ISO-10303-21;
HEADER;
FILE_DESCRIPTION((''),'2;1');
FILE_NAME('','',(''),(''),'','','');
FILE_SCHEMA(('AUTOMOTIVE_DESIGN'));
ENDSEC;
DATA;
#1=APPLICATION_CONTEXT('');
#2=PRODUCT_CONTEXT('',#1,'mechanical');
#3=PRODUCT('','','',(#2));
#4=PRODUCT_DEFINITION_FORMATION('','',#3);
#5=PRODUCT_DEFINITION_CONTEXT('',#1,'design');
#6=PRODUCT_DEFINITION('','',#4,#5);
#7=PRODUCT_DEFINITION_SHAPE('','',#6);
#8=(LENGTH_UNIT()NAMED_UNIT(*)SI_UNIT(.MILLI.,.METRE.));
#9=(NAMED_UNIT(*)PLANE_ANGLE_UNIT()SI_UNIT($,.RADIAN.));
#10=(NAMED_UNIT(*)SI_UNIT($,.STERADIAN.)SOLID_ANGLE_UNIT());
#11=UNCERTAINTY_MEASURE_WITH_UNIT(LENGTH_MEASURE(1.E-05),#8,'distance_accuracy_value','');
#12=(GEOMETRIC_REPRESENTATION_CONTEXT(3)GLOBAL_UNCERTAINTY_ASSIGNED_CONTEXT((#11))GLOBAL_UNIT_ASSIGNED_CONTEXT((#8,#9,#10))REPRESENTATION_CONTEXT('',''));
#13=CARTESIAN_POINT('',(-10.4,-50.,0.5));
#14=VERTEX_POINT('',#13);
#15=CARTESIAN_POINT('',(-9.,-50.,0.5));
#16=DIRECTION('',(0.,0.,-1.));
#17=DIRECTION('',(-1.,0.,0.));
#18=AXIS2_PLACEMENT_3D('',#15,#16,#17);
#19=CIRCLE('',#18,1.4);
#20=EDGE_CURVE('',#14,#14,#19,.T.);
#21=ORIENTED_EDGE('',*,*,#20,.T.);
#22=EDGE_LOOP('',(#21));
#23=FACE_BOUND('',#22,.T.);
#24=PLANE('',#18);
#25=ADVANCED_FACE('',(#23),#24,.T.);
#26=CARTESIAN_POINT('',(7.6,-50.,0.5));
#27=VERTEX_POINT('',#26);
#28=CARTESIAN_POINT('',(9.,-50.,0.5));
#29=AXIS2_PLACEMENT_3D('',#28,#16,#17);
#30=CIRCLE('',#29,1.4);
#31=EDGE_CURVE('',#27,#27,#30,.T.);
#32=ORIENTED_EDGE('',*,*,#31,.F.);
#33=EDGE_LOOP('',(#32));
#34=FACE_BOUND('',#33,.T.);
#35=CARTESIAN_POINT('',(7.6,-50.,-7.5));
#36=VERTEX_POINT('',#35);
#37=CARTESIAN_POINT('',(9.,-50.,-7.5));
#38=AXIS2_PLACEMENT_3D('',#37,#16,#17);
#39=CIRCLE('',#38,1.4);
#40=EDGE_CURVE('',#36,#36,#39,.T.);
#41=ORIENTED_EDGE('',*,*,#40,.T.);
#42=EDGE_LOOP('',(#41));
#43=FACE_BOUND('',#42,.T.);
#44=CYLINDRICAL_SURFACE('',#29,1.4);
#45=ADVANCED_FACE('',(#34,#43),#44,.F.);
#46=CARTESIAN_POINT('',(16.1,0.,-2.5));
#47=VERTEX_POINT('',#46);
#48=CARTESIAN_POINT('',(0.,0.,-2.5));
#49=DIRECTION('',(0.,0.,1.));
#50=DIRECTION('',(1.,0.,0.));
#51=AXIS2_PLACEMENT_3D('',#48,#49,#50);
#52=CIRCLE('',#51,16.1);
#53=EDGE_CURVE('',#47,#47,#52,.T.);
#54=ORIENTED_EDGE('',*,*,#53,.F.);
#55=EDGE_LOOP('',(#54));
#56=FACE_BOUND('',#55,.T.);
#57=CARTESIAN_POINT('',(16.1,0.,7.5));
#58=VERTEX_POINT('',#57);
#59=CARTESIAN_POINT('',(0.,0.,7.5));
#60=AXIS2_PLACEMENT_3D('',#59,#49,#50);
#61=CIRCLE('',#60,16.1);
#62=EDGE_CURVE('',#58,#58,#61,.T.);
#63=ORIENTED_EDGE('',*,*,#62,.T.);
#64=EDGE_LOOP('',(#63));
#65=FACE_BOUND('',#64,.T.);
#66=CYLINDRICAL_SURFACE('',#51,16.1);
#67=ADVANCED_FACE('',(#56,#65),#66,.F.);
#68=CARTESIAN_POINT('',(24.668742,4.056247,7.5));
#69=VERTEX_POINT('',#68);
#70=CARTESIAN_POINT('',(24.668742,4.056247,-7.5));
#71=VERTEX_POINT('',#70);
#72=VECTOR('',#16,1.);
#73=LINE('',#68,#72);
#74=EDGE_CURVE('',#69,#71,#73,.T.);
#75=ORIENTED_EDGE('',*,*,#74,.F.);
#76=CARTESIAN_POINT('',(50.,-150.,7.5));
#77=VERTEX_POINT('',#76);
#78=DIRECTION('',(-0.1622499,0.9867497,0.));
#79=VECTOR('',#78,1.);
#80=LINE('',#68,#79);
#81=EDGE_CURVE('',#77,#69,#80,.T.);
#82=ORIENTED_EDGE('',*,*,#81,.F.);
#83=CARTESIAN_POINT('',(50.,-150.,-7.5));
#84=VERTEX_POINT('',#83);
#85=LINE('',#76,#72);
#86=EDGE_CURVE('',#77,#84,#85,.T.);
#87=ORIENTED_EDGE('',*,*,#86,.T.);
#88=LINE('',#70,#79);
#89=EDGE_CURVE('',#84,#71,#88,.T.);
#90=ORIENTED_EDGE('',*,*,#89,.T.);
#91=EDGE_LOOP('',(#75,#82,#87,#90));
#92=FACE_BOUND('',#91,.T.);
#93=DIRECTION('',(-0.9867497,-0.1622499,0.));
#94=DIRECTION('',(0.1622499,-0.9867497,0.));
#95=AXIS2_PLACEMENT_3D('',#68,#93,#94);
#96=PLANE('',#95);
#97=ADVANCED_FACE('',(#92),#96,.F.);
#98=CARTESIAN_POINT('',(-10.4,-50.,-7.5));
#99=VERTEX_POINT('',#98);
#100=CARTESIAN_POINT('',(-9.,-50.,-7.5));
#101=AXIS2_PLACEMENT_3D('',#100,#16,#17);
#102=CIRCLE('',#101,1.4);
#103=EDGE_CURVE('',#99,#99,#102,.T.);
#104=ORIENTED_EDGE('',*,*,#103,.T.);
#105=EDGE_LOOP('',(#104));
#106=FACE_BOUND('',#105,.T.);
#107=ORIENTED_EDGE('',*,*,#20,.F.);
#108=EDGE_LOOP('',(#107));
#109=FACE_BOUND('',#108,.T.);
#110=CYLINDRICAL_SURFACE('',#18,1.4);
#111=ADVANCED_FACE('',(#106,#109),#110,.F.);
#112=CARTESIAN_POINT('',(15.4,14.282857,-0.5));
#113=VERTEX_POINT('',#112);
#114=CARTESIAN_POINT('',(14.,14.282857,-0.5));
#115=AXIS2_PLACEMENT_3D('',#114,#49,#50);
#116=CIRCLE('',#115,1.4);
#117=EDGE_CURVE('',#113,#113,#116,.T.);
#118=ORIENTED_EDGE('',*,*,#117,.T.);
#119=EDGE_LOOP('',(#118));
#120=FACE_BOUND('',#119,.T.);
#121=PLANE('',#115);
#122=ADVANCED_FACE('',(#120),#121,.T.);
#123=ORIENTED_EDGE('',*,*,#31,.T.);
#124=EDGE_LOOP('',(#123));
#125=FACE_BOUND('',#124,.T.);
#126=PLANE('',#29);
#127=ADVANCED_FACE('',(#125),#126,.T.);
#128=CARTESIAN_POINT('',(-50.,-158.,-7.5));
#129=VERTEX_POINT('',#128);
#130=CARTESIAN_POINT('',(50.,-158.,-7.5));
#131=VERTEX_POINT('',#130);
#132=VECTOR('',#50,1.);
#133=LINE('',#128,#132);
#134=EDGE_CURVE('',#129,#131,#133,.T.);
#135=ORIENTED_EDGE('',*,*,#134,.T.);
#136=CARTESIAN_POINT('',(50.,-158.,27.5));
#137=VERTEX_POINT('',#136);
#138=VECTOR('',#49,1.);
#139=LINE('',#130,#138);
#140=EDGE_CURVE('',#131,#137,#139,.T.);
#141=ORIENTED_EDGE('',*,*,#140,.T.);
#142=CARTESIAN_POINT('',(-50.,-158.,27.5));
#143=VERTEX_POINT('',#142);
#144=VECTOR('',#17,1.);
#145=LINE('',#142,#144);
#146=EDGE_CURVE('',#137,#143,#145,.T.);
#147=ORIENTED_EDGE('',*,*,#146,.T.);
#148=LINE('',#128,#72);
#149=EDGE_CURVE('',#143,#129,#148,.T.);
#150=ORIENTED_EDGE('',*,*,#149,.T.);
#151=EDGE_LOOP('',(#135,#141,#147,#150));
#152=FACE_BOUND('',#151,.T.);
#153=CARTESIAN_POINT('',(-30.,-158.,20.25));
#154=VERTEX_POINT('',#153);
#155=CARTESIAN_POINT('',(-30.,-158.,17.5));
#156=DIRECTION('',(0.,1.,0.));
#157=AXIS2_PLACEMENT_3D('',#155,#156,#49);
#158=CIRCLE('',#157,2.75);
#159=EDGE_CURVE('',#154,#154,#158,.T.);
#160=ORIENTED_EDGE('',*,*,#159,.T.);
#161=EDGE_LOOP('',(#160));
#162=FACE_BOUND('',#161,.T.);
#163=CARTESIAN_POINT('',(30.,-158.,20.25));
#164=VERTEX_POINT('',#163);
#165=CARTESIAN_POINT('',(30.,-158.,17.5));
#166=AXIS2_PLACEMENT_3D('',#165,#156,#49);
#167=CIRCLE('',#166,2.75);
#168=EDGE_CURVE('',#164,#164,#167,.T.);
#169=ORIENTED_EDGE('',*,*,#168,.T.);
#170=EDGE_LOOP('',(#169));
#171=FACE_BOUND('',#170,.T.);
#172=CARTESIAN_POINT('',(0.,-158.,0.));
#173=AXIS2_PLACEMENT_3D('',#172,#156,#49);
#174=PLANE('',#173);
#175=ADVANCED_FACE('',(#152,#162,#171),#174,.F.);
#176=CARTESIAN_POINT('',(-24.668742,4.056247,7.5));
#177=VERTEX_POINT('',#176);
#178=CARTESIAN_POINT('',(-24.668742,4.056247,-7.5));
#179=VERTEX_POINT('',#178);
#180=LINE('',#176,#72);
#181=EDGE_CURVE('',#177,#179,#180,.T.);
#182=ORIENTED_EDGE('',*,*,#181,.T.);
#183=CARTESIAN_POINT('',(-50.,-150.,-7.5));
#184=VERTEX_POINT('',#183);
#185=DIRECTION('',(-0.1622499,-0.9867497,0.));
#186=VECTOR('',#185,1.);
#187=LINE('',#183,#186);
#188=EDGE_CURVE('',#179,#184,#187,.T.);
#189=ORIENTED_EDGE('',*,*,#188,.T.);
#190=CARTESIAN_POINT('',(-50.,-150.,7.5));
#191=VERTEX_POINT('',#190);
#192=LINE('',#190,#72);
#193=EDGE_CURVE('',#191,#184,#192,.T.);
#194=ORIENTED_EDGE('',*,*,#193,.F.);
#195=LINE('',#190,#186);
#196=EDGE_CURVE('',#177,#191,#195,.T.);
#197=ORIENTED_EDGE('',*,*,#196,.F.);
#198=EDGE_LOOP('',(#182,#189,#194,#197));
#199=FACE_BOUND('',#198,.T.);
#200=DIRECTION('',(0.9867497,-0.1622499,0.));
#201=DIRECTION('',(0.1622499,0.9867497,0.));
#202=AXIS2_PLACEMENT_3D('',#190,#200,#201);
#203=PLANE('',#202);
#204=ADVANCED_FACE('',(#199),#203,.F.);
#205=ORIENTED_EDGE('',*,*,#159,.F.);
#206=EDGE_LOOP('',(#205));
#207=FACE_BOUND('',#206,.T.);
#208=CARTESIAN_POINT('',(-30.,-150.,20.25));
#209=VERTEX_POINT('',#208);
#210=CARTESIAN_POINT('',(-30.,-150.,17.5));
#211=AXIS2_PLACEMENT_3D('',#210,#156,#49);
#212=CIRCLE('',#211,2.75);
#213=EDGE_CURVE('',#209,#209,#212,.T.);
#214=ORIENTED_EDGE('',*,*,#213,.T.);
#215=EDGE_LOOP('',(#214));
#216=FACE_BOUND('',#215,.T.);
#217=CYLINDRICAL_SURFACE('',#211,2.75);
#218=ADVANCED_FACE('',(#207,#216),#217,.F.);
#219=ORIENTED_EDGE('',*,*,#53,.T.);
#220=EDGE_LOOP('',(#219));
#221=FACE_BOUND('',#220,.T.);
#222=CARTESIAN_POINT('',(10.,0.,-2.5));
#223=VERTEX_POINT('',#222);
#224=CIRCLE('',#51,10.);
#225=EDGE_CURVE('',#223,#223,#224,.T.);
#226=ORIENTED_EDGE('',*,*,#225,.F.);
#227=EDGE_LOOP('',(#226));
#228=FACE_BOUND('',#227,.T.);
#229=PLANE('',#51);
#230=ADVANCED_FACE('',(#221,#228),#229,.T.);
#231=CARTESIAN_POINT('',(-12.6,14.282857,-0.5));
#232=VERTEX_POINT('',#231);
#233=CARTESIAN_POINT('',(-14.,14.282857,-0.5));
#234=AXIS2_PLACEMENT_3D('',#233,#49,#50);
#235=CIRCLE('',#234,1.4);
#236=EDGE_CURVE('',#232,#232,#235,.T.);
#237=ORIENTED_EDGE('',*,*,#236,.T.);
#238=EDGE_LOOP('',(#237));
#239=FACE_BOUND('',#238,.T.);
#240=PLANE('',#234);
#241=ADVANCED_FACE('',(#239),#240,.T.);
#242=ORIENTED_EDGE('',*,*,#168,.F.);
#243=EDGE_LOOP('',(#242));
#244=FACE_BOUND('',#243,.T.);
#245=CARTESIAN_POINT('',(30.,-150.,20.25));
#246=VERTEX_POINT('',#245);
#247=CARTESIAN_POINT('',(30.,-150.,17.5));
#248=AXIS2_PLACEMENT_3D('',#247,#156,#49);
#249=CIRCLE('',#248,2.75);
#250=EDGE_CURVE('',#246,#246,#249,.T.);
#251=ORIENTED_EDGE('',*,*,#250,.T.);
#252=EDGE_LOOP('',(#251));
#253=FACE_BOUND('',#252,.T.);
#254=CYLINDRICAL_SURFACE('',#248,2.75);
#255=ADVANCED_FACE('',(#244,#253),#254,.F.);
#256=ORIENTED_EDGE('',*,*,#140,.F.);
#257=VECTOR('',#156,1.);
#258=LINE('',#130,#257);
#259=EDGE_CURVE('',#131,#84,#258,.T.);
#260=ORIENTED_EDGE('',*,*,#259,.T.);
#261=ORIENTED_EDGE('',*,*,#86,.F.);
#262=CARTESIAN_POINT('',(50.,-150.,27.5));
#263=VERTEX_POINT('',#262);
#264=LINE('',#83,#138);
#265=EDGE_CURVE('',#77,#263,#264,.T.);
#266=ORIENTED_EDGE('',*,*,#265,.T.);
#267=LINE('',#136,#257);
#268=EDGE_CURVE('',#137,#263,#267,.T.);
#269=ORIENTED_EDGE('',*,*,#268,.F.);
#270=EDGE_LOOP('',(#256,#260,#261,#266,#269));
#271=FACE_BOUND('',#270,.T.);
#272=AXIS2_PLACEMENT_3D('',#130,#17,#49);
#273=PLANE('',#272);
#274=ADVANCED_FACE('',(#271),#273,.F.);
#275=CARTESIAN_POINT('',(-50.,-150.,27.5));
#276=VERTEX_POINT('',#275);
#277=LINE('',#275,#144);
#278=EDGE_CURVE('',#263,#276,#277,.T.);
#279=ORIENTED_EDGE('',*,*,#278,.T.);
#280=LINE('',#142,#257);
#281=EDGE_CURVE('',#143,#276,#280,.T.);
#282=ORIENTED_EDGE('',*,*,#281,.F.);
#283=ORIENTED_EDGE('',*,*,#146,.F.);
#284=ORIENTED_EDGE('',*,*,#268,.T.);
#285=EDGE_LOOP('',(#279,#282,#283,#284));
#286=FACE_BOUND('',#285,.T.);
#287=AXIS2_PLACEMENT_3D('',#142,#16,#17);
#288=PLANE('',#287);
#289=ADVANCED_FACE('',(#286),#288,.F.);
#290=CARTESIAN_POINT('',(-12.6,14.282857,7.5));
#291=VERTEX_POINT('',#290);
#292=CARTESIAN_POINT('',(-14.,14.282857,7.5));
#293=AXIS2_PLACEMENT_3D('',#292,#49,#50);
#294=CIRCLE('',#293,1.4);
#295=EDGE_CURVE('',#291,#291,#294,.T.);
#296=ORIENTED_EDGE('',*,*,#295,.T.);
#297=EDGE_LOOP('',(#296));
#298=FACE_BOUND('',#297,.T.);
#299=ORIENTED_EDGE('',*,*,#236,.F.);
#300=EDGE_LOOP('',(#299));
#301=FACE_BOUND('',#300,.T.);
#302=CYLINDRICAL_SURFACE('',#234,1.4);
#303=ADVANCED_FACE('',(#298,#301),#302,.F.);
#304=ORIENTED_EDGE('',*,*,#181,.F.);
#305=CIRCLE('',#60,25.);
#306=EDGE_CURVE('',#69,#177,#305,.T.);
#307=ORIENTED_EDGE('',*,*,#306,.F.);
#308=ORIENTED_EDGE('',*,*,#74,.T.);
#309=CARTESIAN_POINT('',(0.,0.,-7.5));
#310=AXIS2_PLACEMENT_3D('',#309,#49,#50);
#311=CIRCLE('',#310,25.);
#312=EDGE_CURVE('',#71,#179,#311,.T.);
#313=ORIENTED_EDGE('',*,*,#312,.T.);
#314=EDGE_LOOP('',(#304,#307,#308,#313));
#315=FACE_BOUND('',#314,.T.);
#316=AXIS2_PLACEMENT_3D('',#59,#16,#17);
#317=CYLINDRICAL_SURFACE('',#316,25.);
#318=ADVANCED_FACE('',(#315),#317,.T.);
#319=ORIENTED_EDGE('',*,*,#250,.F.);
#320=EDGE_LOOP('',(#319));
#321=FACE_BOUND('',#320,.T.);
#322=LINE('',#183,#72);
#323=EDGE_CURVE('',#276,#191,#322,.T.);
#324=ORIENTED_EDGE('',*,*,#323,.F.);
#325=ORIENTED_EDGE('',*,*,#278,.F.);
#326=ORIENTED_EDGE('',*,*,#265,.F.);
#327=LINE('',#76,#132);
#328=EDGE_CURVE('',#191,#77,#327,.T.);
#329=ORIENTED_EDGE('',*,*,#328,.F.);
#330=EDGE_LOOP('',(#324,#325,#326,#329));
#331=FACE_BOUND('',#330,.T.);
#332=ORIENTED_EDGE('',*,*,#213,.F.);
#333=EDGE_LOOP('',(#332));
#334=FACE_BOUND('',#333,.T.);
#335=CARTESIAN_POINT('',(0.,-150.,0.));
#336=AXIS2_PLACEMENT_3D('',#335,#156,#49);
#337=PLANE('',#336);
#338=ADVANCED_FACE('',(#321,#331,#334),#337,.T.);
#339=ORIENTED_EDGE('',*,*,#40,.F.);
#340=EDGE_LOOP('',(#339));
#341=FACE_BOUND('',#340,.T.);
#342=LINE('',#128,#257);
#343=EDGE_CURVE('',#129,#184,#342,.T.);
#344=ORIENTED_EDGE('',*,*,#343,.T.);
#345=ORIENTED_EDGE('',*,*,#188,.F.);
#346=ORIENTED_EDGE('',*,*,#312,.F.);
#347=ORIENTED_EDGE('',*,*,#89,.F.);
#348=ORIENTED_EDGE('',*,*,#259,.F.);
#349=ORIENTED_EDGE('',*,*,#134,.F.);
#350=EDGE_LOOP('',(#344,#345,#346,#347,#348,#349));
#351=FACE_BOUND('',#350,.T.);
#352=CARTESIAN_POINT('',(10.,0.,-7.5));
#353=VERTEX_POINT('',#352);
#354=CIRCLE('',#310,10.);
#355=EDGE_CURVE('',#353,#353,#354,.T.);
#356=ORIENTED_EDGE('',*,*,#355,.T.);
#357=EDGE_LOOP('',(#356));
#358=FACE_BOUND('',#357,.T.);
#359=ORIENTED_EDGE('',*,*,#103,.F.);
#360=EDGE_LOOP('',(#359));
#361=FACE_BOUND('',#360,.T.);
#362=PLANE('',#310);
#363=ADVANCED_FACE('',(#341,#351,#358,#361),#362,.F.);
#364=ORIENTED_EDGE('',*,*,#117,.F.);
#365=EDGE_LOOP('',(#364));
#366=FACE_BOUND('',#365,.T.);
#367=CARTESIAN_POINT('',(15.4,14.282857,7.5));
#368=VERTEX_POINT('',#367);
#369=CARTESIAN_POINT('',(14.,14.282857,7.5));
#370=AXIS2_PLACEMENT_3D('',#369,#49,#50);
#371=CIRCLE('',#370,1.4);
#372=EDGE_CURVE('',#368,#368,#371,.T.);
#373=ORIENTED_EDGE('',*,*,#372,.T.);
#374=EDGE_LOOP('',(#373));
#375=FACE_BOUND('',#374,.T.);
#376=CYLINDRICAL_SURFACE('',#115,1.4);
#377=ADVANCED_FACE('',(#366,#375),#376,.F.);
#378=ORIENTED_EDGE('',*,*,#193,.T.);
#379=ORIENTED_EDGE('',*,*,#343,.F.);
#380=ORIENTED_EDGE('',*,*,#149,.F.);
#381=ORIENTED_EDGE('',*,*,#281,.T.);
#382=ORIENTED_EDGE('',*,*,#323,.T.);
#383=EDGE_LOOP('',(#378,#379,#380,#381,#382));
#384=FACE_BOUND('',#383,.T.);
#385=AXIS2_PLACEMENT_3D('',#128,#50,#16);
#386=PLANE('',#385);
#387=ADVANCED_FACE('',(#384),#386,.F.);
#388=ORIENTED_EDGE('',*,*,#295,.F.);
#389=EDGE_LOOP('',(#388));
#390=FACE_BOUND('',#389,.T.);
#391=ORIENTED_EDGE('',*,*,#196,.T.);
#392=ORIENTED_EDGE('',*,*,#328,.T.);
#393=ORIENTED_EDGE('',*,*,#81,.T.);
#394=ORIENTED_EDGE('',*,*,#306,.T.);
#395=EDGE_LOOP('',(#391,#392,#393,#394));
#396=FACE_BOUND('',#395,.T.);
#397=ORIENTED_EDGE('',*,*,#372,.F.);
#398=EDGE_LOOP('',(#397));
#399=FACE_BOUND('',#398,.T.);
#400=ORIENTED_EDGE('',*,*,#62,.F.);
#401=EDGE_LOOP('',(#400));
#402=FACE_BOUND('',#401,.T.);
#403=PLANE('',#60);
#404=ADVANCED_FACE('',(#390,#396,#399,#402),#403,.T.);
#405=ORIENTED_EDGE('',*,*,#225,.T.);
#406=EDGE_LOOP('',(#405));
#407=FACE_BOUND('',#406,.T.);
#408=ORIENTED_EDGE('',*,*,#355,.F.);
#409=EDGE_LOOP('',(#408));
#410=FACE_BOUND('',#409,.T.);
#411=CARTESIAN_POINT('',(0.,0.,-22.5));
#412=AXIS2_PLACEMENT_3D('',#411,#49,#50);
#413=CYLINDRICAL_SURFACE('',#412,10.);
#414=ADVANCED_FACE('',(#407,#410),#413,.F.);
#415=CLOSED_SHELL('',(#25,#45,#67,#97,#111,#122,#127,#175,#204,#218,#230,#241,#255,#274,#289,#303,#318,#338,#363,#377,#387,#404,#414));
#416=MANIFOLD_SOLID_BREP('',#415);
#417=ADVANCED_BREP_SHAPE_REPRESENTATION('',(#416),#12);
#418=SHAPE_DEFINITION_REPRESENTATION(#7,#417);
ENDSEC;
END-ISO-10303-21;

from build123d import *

# Parameters (mm, degrees)
BOSS_EXTRUDE1_DEPTH = 7.5
SKETCH7_W           = 100
SKETCH7_H           = 35
BOSS_EXTRUDE2_DEPTH = 8
SKETCH5_R           = 16.1
CUT_EXTRUDE1_DEPTH  = 10
SKETCH6_R           = 10
CUT_EXTRUDE2_DEPTH  = 20
SKETCH11_R          = 1.4
CUT_EXTRUDE3_DEPTH  = 8
SKETCH12_R          = 1.4
CUT_EXTRUDE4_DEPTH  = 8


with BuildPart() as part:
    # Sketch1 → Boss-Extrude1 (new, symmetric)
    with BuildSketch(Plane.XY):
        with BuildLine():
            Line((24.668742494, 4.056247498), (50, -150))
            Line((50, -150), (-50, -150))
            Line((-50, -150), (-24.668742494, 4.056247498))
            ThreePointArc((-24.668742494, 4.056247498), (0, 25), (24.668742494, 4.056247498))
        make_face()
    extrude(amount=BOSS_EXTRUDE1_DEPTH, both=True)

    # Sketch7 → Boss-Extrude2 (add)
    with BuildSketch(Plane.XZ.offset(150)):
        with Locations((0, 10)):
            Rectangle(SKETCH7_W, SKETCH7_H)
    extrude(amount=BOSS_EXTRUDE2_DEPTH)

    # Sketch5 → Cut-Extrude1 (cut)
    with BuildSketch(Plane.XY.offset(7.5)):
        Circle(SKETCH5_R)
    extrude(amount=-CUT_EXTRUDE1_DEPTH, mode=Mode.SUBTRACT)

    # Sketch6 → Cut-Extrude2 (cut)
    with BuildSketch(Plane.XY.offset(-2.5)):
        Circle(SKETCH6_R)
    extrude(amount=-CUT_EXTRUDE2_DEPTH, mode=Mode.SUBTRACT)

    # Sketch10 → M5 Clearance Hole1 (revolve, cut)
    with BuildSketch(Plane(origin=(-30, -150, 17.5), x_dir=(0, 0, 1), z_dir=(1, 0, 0))):
        Polygon((0, 0), (0, 11.652366702), (2.75, 10), (2.75, 0), align=None)
    m5_clearance_hole1 = revolve(axis=Axis((-30, -143.65, 17.5), (0, -1, 0)), mode=Mode.SUBTRACT)

    # Mirror1: M5 Clearance Hole1 across plane
    add(m5_clearance_hole1.mirror(Plane(origin=(0, 0, 0), x_dir=(0, 0, 1), z_dir=(1, 0, 0))), mode=Mode.SUBTRACT)

    # Sketch11 → Cut-Extrude3 (cut)
    with BuildSketch(Plane.XY.offset(7.5)):
        with Locations((14, 14.282856857)):
            Circle(SKETCH11_R)
        with Locations((-14, 14.282856857)):
            Circle(SKETCH11_R)
    extrude(amount=-CUT_EXTRUDE3_DEPTH, mode=Mode.SUBTRACT)

    # Sketch12 → Cut-Extrude4 (cut)
    with BuildSketch(Plane(origin=(0, 0, -7.5), x_dir=(-1, 0, 0), z_dir=(0, 0, -1))):
        with Locations((9, -50)):
            Circle(SKETCH12_R)
        with Locations((-9, -50)):
            Circle(SKETCH12_R)
    extrude(amount=-CUT_EXTRUDE4_DEPTH, mode=Mode.SUBTRACT)


solid = part.part
